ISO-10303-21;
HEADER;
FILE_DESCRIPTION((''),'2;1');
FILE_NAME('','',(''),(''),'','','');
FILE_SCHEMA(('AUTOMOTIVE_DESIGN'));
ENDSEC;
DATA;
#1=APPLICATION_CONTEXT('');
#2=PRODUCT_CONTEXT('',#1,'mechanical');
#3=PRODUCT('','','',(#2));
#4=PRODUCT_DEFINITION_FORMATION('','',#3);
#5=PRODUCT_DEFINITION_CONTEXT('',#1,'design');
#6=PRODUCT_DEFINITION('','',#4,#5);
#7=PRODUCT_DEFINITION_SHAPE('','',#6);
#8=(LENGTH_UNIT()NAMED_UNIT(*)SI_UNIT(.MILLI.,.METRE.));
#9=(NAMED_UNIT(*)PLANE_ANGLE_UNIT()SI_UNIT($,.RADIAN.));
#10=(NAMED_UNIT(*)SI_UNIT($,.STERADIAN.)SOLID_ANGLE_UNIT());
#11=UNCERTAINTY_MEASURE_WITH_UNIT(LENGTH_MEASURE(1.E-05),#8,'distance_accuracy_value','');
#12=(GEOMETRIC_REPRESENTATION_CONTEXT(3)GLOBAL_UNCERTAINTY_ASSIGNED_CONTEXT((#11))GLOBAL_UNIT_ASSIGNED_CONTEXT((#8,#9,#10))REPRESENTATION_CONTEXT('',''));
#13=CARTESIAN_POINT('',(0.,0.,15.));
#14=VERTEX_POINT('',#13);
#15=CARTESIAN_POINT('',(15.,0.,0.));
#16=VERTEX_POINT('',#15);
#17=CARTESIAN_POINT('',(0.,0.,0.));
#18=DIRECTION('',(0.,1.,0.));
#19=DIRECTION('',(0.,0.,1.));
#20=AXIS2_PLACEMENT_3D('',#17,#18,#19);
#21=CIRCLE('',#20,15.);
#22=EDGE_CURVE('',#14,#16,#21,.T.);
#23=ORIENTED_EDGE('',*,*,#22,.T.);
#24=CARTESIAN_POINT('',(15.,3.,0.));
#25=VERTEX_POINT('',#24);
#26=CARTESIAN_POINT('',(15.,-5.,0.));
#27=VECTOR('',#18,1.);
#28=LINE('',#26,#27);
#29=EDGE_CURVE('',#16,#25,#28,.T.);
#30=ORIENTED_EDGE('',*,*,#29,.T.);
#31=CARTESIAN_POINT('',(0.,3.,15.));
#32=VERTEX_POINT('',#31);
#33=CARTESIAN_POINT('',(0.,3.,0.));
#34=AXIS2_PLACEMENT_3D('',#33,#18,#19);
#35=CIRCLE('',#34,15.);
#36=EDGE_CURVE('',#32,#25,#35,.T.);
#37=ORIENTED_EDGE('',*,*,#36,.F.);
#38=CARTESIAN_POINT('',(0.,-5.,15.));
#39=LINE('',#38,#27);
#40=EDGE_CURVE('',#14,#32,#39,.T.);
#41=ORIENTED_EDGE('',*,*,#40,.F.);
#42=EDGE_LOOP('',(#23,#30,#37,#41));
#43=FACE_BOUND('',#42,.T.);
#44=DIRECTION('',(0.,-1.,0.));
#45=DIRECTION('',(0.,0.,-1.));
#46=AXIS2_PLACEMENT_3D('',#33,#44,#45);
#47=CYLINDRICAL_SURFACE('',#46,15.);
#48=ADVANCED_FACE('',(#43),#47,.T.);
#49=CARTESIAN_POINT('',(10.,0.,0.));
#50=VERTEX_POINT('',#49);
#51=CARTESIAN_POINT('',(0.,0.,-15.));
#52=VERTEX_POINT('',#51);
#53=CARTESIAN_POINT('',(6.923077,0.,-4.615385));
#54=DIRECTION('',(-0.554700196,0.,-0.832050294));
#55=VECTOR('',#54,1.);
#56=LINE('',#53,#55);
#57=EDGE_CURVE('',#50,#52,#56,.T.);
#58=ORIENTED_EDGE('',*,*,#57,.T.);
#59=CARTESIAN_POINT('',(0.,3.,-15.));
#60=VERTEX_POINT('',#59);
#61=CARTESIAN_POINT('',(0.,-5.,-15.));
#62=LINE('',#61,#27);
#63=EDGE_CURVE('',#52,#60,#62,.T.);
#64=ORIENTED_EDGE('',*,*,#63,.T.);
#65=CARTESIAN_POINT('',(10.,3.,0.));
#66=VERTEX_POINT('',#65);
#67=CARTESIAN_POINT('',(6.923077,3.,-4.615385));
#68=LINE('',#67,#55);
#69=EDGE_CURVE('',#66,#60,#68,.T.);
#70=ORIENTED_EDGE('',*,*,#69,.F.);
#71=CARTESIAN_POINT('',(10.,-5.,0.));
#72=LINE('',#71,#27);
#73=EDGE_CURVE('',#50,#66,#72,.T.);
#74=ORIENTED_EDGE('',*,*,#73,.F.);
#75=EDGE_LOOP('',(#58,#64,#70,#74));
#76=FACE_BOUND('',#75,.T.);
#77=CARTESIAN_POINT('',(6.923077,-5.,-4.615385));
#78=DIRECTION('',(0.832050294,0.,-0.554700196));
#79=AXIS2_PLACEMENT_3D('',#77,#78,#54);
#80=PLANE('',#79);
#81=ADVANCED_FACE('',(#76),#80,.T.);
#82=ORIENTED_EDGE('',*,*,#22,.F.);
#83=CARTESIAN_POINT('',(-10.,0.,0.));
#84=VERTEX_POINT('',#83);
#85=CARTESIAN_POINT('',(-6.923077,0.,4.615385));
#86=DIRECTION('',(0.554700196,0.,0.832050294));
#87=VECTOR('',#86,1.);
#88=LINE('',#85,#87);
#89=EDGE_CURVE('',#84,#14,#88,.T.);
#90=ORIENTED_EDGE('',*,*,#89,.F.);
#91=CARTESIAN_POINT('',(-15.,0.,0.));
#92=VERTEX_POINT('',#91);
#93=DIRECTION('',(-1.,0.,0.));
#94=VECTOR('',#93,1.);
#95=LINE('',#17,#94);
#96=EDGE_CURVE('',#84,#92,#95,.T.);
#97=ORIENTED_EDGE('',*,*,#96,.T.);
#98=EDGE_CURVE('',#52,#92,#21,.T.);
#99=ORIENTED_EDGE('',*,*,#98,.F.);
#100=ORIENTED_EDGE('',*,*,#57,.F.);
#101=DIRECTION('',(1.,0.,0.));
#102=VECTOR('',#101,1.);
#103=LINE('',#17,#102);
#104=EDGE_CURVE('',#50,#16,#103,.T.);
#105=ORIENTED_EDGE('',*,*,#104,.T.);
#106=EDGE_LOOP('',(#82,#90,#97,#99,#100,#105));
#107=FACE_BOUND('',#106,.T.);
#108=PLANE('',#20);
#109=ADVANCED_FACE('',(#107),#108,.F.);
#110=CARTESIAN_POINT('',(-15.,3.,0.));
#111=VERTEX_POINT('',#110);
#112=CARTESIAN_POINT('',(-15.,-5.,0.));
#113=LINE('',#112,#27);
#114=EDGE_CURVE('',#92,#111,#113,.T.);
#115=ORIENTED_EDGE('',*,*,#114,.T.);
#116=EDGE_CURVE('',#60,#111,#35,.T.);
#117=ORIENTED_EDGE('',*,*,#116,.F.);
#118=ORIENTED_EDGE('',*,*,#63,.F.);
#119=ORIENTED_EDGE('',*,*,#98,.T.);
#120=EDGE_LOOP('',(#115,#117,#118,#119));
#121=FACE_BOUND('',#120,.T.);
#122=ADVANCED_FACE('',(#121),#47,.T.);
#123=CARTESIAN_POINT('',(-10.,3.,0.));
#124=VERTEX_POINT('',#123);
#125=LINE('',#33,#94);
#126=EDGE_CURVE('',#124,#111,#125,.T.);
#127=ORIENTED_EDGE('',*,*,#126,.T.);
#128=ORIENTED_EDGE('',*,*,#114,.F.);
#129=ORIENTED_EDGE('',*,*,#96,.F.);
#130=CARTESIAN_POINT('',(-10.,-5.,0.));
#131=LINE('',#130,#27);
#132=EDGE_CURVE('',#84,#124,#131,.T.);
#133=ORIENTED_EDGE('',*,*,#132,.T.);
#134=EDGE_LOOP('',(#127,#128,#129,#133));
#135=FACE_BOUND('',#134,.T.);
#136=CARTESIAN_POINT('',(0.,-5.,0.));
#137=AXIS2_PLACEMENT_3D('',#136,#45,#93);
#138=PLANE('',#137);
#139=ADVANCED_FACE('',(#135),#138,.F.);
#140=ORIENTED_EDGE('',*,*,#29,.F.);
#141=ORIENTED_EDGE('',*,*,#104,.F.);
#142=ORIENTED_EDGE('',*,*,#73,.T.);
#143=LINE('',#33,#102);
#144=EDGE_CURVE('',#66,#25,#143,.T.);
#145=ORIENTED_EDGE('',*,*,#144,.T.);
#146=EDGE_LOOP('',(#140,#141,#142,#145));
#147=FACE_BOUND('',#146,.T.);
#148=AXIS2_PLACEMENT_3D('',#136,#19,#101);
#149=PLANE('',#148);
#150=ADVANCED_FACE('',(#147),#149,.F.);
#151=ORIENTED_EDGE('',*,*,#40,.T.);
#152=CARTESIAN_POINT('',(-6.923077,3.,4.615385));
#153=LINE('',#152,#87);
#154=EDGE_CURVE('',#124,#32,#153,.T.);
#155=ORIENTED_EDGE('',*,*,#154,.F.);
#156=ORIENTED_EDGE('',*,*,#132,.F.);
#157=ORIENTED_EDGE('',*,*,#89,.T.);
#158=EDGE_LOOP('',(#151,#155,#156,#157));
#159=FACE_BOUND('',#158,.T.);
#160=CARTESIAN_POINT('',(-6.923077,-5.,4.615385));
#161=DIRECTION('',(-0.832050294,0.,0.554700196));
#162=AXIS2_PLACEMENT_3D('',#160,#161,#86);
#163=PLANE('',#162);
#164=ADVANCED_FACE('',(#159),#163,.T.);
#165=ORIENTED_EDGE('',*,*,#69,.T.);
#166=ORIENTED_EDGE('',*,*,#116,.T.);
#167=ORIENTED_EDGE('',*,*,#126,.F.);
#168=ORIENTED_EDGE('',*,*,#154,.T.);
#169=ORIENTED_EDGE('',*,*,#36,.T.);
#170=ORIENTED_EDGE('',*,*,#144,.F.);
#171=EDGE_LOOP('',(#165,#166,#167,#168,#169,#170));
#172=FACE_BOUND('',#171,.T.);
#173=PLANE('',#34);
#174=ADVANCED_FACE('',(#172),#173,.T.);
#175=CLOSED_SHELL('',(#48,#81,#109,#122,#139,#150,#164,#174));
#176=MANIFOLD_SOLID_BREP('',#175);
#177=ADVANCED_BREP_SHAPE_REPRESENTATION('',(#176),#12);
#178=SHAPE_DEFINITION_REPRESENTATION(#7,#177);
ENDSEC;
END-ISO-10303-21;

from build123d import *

# Parameters (mm, degrees)
SKETCH1_R           = 15
BOSS_EXTRUDE1_DEPTH = 3
CUT_EXTRUDE2_START  = -8
CUT_EXTRUDE2_DEPTH  = 8


with BuildPart() as part:
    # Sketch1 → Boss-Extrude1 (new body)
    with BuildSketch(Plane(origin=(0, 0, 0), x_dir=(1, 0, 0), z_dir=(0, 1, 0))):
        with Locations(Location((0, 0, 0), (0, 0, 270))):
            Circle(SKETCH1_R)
    extrude(amount=BOSS_EXTRUDE1_DEPTH)

    # Sketch3 → Cut-Extrude2 (cut)
    with BuildSketch(Plane(origin=(0, 3, 0), x_dir=(1, 0, 0), z_dir=(0, 1, 0)).offset(CUT_EXTRUDE2_START)):
        with BuildLine():
            Line((0, -15), (-10, 0))
            Line((-10, 0), (-15, 0))
            ThreePointArc((-15, 0), (-10.606601718, -10.606601718), (0, -15))
        make_face()
        with BuildLine():
            Line((0, 15), (10, 0))
            Line((10, 0), (15, 0))
            ThreePointArc((15, 0), (10.606601718, 10.606601718), (0, 15))
        make_face()
    extrude(amount=CUT_EXTRUDE2_DEPTH, mode=Mode.SUBTRACT)


solid = part.part
